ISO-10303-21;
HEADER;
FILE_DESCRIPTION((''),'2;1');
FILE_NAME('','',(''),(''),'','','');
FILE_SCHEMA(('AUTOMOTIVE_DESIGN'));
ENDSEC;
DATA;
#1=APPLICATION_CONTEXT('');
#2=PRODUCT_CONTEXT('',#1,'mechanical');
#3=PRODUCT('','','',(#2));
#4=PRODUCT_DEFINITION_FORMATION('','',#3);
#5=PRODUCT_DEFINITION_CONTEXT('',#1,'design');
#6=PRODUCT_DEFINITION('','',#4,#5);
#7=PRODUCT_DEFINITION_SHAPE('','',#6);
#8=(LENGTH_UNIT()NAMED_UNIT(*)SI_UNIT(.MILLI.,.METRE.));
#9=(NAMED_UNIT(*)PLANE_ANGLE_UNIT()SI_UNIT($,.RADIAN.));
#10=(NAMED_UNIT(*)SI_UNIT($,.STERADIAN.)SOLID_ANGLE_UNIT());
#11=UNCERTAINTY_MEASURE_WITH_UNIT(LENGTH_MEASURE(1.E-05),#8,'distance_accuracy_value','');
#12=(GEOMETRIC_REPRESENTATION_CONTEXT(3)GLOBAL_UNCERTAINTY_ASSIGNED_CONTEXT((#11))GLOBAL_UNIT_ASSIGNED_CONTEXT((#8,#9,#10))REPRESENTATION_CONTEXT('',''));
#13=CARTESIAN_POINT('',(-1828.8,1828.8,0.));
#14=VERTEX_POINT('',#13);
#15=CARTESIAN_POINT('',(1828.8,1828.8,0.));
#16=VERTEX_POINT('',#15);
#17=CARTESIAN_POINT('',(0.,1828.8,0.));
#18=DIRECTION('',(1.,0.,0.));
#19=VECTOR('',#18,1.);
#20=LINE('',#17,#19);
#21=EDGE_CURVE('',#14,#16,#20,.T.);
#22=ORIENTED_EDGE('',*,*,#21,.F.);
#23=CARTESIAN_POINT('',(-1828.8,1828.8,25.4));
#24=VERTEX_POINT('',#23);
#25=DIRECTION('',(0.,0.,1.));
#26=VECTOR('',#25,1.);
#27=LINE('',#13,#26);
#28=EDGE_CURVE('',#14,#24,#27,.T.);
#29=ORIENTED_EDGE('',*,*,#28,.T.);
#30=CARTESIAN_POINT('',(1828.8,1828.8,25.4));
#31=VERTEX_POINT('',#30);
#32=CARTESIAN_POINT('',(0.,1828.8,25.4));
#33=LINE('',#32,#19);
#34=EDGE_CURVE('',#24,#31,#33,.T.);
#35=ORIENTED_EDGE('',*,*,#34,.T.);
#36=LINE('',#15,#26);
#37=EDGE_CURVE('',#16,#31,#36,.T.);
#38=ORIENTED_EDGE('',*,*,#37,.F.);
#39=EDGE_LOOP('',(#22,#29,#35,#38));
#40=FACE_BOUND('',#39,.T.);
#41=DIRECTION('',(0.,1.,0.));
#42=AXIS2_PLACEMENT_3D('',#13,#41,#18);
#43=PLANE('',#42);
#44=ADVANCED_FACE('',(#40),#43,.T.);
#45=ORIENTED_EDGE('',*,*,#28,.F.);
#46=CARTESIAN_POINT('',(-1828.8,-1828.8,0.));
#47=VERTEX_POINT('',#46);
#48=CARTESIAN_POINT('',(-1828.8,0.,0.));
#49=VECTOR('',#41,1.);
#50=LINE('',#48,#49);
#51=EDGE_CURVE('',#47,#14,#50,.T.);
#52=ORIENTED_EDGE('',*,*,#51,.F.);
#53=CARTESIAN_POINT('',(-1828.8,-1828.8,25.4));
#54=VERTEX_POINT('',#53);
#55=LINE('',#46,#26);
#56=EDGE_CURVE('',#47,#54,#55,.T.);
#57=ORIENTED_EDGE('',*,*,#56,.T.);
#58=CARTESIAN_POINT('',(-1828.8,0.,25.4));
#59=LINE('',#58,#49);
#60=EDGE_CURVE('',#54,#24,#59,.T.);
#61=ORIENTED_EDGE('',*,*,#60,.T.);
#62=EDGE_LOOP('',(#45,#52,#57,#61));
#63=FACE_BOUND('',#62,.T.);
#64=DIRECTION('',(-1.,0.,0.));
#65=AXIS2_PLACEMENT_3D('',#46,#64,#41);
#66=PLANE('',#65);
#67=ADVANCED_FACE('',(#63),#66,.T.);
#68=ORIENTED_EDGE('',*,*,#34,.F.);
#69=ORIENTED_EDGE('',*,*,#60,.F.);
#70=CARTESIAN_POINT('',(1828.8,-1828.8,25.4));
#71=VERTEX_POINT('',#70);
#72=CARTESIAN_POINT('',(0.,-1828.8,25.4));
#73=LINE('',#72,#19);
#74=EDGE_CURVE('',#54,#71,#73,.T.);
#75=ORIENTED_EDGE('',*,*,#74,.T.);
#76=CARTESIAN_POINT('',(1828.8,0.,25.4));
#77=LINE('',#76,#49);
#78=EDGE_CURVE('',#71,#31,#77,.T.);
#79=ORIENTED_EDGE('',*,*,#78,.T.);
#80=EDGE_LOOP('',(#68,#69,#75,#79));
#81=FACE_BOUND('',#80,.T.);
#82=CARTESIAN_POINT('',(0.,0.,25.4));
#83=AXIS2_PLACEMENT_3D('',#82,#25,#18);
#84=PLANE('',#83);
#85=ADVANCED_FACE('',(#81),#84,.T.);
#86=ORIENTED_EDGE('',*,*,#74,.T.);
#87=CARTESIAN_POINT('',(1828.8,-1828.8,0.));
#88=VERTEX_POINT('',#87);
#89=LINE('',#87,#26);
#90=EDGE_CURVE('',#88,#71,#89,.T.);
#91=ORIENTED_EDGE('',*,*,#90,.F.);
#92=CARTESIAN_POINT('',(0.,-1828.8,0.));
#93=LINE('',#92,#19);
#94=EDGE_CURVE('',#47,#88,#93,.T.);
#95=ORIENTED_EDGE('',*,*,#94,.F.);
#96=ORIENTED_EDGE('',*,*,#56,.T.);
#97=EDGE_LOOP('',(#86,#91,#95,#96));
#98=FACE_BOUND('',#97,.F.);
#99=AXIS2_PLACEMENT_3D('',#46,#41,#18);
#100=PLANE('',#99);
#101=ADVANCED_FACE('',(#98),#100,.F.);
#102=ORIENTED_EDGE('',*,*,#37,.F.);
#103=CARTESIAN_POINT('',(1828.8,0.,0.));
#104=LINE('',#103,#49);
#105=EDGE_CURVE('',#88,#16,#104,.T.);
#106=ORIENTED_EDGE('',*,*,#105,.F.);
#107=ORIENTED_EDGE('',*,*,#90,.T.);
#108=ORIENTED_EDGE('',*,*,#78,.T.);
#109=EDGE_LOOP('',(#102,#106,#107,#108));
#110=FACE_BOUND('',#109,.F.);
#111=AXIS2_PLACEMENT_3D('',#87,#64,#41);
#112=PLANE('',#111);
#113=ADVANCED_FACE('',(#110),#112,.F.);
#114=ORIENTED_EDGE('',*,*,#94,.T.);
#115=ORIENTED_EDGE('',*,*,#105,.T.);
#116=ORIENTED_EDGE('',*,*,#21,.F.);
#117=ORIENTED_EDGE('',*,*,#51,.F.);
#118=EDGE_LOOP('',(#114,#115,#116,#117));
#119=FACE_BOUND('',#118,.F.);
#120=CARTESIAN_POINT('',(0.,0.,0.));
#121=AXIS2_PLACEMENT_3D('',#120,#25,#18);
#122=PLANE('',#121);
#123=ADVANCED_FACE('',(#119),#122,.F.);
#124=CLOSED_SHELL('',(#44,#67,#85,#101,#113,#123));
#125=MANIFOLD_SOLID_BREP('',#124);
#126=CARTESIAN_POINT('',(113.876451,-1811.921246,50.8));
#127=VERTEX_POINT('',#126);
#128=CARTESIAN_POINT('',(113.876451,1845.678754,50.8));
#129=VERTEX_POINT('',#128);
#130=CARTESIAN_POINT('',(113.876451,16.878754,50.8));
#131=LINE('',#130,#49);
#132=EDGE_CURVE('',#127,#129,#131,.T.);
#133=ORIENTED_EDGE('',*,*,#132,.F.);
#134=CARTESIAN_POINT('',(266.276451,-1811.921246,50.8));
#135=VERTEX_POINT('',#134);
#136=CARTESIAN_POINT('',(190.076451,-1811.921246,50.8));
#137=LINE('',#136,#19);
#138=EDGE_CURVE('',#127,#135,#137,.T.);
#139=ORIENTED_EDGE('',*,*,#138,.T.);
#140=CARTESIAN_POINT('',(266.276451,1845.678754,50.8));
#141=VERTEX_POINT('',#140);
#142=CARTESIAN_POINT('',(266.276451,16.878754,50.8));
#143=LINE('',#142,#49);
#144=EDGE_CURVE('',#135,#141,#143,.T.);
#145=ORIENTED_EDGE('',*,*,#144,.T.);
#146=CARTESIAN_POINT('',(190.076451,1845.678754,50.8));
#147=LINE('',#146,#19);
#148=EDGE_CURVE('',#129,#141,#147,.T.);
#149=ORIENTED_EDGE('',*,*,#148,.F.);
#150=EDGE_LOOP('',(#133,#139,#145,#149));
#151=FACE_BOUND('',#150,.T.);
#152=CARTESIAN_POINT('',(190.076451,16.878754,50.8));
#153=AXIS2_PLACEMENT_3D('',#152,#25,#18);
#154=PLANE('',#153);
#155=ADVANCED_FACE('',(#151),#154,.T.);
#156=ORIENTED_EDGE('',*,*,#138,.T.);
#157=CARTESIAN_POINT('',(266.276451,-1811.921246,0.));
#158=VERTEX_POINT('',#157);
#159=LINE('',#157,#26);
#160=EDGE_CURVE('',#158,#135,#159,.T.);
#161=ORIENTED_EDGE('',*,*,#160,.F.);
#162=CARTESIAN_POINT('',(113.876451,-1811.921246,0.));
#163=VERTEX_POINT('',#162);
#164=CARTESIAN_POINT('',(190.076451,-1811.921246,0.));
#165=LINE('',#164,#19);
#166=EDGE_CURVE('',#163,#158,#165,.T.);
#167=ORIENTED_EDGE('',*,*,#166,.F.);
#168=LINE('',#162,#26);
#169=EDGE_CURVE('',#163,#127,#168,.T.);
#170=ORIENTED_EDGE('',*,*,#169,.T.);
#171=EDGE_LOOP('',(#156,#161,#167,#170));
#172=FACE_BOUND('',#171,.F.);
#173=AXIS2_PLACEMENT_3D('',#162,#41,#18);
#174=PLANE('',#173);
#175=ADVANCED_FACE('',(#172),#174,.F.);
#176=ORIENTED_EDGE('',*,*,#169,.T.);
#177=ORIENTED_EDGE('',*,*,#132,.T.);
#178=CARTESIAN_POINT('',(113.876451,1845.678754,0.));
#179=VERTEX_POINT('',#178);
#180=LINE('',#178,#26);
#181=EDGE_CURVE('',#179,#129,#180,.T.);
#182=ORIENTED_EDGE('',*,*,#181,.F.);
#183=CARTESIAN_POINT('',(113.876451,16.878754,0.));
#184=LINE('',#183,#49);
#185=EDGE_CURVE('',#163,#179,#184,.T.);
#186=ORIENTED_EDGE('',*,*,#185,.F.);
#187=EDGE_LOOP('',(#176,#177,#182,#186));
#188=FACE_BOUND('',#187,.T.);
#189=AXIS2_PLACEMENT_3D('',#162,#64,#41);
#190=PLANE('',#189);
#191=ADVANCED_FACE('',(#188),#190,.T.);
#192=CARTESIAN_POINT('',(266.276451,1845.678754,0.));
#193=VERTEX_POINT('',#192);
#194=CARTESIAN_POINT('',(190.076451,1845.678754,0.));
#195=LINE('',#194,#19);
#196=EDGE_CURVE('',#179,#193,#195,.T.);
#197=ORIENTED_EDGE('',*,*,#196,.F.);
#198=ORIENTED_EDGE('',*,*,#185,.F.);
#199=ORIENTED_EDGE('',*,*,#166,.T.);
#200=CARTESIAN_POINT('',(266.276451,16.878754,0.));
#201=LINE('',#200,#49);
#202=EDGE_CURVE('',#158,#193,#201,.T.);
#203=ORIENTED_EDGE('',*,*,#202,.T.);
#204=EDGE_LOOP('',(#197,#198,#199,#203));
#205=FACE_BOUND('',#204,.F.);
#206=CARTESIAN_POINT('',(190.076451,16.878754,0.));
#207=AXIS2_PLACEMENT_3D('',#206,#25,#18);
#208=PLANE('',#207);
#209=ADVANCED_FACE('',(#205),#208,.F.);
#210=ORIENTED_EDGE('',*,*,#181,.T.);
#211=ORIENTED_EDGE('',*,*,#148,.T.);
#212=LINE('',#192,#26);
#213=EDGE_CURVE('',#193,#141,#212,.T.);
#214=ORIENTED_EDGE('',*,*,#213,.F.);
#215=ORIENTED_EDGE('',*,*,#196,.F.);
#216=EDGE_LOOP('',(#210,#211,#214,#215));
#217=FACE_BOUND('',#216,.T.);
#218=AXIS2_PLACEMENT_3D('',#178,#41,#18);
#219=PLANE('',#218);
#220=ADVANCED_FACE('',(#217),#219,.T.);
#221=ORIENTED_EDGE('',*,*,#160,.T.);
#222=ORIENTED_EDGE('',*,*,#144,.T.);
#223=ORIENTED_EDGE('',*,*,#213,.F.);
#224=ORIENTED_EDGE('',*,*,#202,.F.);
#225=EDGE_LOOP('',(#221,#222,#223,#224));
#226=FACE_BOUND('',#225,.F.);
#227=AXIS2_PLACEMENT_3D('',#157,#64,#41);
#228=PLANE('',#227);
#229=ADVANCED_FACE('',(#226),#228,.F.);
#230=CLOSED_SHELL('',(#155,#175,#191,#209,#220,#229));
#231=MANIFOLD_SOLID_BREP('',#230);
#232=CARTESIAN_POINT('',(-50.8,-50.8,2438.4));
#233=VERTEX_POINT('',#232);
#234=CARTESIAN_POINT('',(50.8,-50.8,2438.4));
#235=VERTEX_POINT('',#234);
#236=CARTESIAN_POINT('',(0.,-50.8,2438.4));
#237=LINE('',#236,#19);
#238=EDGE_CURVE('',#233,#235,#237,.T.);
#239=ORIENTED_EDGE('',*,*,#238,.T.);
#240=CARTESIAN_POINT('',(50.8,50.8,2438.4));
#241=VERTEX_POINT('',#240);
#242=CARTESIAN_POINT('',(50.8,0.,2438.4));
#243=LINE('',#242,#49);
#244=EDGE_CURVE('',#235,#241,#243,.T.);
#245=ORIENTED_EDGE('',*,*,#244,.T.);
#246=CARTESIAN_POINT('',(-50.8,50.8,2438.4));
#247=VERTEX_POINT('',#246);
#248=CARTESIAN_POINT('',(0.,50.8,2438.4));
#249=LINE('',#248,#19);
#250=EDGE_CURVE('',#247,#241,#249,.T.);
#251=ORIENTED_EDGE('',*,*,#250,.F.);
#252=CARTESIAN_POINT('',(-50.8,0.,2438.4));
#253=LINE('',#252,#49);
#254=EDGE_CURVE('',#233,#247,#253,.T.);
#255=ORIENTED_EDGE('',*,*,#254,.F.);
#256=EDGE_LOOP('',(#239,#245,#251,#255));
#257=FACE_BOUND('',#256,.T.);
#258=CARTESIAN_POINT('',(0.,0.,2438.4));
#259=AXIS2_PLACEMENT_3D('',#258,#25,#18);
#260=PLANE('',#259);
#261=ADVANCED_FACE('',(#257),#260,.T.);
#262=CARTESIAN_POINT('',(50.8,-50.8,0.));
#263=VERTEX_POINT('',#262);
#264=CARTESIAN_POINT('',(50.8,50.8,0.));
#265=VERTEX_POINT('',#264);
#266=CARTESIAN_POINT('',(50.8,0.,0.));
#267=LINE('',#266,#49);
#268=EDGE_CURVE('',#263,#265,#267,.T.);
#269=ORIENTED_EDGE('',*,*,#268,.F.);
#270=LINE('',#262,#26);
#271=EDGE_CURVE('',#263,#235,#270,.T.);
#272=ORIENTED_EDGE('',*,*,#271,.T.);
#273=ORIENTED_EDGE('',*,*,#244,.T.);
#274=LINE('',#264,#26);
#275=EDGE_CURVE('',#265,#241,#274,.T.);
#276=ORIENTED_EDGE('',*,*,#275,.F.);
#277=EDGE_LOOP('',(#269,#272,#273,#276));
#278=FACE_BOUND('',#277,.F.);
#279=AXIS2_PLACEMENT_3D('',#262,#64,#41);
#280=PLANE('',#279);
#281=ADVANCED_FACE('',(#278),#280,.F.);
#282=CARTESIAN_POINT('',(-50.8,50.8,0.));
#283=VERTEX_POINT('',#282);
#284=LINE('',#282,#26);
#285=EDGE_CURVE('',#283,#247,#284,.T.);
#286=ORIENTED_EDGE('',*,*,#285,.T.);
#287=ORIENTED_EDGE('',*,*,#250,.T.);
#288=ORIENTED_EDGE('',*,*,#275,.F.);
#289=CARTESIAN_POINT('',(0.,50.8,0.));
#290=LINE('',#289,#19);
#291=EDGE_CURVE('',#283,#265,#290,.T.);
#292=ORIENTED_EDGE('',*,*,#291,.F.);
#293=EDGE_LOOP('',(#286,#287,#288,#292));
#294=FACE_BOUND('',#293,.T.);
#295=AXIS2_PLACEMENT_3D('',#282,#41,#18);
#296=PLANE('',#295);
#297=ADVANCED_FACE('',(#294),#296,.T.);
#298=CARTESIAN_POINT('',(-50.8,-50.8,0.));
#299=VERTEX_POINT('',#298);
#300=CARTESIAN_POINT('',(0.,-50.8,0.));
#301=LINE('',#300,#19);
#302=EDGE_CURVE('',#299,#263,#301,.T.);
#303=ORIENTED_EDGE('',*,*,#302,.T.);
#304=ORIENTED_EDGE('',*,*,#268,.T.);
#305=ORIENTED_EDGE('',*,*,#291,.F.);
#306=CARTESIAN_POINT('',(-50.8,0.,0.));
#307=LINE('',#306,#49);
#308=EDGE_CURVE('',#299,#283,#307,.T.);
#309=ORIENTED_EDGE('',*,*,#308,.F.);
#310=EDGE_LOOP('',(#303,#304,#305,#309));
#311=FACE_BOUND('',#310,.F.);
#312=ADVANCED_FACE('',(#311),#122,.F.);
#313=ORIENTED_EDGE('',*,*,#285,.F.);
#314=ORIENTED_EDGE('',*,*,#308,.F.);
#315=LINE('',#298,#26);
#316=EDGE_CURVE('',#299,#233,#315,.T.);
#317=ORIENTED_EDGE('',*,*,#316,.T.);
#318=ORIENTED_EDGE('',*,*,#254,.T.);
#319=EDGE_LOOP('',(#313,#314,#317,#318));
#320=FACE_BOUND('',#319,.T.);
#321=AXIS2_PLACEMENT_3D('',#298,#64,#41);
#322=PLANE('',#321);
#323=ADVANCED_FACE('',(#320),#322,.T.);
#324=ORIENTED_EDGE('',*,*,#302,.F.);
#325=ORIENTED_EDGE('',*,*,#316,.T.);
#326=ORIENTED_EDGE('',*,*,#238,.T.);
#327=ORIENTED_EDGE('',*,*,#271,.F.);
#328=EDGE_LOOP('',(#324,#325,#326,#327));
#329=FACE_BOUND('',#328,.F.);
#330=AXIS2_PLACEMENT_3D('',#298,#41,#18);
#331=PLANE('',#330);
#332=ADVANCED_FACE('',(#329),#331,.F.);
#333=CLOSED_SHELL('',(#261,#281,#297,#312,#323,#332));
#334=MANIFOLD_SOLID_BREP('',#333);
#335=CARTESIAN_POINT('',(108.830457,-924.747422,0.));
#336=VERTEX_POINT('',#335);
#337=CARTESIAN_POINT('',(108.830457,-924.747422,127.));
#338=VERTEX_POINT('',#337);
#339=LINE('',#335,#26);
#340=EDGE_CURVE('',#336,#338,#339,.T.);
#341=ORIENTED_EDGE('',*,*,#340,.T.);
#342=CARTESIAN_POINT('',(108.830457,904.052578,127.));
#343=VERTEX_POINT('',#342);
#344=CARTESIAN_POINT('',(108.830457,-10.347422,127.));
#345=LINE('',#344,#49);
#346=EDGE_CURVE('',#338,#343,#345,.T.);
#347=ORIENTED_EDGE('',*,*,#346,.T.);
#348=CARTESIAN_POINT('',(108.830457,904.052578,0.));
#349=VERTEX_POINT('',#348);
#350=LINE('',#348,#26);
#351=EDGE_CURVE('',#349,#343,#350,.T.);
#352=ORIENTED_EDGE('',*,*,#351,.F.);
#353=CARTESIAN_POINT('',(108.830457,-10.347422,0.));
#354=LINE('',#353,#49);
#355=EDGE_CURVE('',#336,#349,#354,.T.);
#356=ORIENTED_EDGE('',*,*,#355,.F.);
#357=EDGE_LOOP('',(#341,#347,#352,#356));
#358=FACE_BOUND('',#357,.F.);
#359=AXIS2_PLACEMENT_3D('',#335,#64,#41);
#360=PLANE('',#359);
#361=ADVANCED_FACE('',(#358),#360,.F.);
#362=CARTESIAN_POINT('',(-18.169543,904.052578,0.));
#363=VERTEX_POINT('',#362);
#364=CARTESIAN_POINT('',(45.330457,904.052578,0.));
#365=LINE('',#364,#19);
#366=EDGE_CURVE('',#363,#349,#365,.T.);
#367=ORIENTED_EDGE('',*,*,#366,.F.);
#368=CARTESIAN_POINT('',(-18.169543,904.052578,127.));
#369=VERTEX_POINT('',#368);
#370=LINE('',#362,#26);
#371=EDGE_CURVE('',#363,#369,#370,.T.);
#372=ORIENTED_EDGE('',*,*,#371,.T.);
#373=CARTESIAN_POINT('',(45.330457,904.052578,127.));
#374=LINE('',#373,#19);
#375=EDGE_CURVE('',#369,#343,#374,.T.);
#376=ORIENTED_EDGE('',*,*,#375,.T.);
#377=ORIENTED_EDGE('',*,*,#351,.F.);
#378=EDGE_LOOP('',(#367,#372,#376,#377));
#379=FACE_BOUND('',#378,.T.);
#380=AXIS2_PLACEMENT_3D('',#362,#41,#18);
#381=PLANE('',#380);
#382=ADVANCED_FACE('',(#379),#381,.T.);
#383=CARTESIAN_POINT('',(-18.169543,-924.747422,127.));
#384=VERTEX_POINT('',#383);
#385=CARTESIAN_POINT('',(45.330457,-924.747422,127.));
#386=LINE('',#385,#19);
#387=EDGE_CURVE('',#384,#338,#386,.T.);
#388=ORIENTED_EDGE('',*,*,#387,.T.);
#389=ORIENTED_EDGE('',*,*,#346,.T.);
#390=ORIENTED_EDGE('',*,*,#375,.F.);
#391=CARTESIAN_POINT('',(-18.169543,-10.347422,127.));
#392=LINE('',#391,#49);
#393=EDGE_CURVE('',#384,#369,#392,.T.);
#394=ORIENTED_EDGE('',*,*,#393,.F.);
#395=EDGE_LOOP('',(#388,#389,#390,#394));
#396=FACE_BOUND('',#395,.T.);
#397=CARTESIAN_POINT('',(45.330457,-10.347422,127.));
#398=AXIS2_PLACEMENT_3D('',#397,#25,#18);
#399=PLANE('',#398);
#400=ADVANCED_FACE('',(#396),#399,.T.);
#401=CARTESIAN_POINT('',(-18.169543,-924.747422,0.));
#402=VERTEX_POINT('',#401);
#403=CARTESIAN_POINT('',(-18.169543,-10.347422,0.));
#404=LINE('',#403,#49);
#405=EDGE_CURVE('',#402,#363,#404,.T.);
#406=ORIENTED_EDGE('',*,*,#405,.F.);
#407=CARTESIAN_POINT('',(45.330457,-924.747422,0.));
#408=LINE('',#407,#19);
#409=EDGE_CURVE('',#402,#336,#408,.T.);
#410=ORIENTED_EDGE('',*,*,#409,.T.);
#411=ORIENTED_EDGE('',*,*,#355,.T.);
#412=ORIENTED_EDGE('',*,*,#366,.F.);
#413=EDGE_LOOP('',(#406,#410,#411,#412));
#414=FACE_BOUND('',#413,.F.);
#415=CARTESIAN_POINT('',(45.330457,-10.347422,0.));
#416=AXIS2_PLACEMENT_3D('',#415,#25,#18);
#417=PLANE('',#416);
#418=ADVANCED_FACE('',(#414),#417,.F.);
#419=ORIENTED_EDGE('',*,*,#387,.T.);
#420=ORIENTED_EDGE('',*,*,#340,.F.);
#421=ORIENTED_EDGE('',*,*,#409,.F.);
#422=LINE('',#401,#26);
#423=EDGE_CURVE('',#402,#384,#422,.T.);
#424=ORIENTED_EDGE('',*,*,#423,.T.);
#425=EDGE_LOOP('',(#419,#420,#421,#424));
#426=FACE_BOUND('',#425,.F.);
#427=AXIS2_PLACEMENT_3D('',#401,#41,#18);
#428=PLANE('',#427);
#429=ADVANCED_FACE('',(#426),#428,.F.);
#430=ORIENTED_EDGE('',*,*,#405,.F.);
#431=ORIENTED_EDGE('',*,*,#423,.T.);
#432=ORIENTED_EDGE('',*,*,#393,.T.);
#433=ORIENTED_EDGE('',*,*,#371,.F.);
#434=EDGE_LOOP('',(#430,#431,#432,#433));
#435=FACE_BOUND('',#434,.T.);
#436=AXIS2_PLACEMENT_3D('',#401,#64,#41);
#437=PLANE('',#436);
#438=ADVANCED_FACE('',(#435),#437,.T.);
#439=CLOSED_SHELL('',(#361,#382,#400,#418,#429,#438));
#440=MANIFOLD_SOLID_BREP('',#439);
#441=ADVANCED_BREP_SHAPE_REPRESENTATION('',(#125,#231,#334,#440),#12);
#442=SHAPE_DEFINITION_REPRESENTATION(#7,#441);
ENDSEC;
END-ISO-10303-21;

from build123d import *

# Parameters (mm, degrees)
F0_W     = 127
F0_H     = 1828.8
F1_DEPTH = 127
F2_W     = 152.4
F2_H     = 3657.6
F3_DEPTH = 50.8
F4_W     = 3657.6
F4_H     = 3657.6
F5_DEPTH = 25.4
F6_W     = 101.6
F6_H     = 101.6
F7_DEPTH = 2438.4


with BuildPart() as f1:
    # F0 (on Top) → F1 (new body)
    with BuildSketch(Plane.XY):
        with Locations((45.330457, -10.347422)):
            Rectangle(F0_W, F0_H)
    extrude(amount=F1_DEPTH)


with BuildPart() as f3:
    # F2 (on Top) → F3 (new body)
    with BuildSketch(Plane.XY):
        with Locations((190.076451, 16.878754)):
            Rectangle(F2_W, F2_H)
    extrude(amount=F3_DEPTH)


with BuildPart() as f5:
    # F4 (on Top) → F5 (new body)
    with BuildSketch(Plane.XY):
        Rectangle(F4_W, F4_H)
    extrude(amount=F5_DEPTH)


with BuildPart() as f7:
    # F6 (on Top) → F7 (new body)
    with BuildSketch(Plane.XY):
        Rectangle(F6_W, F6_H)
    extrude(amount=F7_DEPTH)


solid = Compound([f1.part, f3.part, f5.part, f7.part])
